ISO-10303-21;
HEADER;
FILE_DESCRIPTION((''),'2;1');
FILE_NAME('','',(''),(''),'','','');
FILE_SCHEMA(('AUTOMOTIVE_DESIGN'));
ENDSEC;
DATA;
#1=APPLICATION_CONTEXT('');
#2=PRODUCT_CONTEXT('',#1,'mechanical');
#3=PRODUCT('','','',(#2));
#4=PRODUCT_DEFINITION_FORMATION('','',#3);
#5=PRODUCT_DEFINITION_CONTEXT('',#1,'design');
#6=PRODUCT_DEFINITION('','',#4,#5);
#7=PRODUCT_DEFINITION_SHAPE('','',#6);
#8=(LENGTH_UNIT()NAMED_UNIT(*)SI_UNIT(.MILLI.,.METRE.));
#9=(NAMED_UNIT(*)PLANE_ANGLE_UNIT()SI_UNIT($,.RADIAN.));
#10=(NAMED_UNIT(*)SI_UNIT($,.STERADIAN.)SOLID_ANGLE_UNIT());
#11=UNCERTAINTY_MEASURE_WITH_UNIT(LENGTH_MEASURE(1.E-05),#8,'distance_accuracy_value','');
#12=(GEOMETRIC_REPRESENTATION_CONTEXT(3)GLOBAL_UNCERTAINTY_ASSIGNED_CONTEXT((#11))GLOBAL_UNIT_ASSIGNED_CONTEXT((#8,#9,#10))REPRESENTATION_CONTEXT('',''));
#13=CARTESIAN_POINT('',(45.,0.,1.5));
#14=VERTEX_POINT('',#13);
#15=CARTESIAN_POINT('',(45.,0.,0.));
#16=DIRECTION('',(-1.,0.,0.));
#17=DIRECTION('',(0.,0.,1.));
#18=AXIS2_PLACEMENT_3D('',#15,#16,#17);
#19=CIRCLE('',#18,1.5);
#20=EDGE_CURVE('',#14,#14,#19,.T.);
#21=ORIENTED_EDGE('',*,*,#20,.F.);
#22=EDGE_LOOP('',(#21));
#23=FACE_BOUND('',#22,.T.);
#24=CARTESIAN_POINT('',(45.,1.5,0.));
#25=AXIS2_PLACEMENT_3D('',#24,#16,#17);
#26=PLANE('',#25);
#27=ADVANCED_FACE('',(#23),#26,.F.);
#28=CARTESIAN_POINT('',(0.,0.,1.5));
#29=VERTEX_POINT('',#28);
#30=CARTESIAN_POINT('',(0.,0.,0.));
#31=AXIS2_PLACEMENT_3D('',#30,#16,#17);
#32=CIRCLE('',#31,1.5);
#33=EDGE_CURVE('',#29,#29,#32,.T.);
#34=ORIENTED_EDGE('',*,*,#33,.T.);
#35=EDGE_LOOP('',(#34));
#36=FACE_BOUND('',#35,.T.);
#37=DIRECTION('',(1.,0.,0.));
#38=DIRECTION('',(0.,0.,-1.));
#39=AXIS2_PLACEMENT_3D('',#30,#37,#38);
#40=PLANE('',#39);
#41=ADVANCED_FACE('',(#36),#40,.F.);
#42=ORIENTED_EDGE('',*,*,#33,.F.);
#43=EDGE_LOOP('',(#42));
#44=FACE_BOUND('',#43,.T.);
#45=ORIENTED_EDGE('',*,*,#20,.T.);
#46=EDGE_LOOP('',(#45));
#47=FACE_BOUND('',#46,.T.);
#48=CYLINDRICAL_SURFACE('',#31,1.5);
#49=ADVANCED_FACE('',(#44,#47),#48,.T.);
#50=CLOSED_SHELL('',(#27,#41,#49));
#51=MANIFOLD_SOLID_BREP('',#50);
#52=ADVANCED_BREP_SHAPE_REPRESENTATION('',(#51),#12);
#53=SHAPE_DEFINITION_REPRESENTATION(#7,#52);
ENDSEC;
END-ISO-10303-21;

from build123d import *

# Parameters (mm, degrees)
SKETCH1_W = 45
SKETCH1_H = 1.5


with BuildPart() as part:
    # Sketch1 → Revolve1 (revolve)
    with BuildSketch(Plane.XY):
        with Locations((22.5, 0.75)):
            Rectangle(SKETCH1_W, SKETCH1_H)
    revolve(axis=Axis((0, 0, 0), (1, 0, 0)))


solid = part.part
